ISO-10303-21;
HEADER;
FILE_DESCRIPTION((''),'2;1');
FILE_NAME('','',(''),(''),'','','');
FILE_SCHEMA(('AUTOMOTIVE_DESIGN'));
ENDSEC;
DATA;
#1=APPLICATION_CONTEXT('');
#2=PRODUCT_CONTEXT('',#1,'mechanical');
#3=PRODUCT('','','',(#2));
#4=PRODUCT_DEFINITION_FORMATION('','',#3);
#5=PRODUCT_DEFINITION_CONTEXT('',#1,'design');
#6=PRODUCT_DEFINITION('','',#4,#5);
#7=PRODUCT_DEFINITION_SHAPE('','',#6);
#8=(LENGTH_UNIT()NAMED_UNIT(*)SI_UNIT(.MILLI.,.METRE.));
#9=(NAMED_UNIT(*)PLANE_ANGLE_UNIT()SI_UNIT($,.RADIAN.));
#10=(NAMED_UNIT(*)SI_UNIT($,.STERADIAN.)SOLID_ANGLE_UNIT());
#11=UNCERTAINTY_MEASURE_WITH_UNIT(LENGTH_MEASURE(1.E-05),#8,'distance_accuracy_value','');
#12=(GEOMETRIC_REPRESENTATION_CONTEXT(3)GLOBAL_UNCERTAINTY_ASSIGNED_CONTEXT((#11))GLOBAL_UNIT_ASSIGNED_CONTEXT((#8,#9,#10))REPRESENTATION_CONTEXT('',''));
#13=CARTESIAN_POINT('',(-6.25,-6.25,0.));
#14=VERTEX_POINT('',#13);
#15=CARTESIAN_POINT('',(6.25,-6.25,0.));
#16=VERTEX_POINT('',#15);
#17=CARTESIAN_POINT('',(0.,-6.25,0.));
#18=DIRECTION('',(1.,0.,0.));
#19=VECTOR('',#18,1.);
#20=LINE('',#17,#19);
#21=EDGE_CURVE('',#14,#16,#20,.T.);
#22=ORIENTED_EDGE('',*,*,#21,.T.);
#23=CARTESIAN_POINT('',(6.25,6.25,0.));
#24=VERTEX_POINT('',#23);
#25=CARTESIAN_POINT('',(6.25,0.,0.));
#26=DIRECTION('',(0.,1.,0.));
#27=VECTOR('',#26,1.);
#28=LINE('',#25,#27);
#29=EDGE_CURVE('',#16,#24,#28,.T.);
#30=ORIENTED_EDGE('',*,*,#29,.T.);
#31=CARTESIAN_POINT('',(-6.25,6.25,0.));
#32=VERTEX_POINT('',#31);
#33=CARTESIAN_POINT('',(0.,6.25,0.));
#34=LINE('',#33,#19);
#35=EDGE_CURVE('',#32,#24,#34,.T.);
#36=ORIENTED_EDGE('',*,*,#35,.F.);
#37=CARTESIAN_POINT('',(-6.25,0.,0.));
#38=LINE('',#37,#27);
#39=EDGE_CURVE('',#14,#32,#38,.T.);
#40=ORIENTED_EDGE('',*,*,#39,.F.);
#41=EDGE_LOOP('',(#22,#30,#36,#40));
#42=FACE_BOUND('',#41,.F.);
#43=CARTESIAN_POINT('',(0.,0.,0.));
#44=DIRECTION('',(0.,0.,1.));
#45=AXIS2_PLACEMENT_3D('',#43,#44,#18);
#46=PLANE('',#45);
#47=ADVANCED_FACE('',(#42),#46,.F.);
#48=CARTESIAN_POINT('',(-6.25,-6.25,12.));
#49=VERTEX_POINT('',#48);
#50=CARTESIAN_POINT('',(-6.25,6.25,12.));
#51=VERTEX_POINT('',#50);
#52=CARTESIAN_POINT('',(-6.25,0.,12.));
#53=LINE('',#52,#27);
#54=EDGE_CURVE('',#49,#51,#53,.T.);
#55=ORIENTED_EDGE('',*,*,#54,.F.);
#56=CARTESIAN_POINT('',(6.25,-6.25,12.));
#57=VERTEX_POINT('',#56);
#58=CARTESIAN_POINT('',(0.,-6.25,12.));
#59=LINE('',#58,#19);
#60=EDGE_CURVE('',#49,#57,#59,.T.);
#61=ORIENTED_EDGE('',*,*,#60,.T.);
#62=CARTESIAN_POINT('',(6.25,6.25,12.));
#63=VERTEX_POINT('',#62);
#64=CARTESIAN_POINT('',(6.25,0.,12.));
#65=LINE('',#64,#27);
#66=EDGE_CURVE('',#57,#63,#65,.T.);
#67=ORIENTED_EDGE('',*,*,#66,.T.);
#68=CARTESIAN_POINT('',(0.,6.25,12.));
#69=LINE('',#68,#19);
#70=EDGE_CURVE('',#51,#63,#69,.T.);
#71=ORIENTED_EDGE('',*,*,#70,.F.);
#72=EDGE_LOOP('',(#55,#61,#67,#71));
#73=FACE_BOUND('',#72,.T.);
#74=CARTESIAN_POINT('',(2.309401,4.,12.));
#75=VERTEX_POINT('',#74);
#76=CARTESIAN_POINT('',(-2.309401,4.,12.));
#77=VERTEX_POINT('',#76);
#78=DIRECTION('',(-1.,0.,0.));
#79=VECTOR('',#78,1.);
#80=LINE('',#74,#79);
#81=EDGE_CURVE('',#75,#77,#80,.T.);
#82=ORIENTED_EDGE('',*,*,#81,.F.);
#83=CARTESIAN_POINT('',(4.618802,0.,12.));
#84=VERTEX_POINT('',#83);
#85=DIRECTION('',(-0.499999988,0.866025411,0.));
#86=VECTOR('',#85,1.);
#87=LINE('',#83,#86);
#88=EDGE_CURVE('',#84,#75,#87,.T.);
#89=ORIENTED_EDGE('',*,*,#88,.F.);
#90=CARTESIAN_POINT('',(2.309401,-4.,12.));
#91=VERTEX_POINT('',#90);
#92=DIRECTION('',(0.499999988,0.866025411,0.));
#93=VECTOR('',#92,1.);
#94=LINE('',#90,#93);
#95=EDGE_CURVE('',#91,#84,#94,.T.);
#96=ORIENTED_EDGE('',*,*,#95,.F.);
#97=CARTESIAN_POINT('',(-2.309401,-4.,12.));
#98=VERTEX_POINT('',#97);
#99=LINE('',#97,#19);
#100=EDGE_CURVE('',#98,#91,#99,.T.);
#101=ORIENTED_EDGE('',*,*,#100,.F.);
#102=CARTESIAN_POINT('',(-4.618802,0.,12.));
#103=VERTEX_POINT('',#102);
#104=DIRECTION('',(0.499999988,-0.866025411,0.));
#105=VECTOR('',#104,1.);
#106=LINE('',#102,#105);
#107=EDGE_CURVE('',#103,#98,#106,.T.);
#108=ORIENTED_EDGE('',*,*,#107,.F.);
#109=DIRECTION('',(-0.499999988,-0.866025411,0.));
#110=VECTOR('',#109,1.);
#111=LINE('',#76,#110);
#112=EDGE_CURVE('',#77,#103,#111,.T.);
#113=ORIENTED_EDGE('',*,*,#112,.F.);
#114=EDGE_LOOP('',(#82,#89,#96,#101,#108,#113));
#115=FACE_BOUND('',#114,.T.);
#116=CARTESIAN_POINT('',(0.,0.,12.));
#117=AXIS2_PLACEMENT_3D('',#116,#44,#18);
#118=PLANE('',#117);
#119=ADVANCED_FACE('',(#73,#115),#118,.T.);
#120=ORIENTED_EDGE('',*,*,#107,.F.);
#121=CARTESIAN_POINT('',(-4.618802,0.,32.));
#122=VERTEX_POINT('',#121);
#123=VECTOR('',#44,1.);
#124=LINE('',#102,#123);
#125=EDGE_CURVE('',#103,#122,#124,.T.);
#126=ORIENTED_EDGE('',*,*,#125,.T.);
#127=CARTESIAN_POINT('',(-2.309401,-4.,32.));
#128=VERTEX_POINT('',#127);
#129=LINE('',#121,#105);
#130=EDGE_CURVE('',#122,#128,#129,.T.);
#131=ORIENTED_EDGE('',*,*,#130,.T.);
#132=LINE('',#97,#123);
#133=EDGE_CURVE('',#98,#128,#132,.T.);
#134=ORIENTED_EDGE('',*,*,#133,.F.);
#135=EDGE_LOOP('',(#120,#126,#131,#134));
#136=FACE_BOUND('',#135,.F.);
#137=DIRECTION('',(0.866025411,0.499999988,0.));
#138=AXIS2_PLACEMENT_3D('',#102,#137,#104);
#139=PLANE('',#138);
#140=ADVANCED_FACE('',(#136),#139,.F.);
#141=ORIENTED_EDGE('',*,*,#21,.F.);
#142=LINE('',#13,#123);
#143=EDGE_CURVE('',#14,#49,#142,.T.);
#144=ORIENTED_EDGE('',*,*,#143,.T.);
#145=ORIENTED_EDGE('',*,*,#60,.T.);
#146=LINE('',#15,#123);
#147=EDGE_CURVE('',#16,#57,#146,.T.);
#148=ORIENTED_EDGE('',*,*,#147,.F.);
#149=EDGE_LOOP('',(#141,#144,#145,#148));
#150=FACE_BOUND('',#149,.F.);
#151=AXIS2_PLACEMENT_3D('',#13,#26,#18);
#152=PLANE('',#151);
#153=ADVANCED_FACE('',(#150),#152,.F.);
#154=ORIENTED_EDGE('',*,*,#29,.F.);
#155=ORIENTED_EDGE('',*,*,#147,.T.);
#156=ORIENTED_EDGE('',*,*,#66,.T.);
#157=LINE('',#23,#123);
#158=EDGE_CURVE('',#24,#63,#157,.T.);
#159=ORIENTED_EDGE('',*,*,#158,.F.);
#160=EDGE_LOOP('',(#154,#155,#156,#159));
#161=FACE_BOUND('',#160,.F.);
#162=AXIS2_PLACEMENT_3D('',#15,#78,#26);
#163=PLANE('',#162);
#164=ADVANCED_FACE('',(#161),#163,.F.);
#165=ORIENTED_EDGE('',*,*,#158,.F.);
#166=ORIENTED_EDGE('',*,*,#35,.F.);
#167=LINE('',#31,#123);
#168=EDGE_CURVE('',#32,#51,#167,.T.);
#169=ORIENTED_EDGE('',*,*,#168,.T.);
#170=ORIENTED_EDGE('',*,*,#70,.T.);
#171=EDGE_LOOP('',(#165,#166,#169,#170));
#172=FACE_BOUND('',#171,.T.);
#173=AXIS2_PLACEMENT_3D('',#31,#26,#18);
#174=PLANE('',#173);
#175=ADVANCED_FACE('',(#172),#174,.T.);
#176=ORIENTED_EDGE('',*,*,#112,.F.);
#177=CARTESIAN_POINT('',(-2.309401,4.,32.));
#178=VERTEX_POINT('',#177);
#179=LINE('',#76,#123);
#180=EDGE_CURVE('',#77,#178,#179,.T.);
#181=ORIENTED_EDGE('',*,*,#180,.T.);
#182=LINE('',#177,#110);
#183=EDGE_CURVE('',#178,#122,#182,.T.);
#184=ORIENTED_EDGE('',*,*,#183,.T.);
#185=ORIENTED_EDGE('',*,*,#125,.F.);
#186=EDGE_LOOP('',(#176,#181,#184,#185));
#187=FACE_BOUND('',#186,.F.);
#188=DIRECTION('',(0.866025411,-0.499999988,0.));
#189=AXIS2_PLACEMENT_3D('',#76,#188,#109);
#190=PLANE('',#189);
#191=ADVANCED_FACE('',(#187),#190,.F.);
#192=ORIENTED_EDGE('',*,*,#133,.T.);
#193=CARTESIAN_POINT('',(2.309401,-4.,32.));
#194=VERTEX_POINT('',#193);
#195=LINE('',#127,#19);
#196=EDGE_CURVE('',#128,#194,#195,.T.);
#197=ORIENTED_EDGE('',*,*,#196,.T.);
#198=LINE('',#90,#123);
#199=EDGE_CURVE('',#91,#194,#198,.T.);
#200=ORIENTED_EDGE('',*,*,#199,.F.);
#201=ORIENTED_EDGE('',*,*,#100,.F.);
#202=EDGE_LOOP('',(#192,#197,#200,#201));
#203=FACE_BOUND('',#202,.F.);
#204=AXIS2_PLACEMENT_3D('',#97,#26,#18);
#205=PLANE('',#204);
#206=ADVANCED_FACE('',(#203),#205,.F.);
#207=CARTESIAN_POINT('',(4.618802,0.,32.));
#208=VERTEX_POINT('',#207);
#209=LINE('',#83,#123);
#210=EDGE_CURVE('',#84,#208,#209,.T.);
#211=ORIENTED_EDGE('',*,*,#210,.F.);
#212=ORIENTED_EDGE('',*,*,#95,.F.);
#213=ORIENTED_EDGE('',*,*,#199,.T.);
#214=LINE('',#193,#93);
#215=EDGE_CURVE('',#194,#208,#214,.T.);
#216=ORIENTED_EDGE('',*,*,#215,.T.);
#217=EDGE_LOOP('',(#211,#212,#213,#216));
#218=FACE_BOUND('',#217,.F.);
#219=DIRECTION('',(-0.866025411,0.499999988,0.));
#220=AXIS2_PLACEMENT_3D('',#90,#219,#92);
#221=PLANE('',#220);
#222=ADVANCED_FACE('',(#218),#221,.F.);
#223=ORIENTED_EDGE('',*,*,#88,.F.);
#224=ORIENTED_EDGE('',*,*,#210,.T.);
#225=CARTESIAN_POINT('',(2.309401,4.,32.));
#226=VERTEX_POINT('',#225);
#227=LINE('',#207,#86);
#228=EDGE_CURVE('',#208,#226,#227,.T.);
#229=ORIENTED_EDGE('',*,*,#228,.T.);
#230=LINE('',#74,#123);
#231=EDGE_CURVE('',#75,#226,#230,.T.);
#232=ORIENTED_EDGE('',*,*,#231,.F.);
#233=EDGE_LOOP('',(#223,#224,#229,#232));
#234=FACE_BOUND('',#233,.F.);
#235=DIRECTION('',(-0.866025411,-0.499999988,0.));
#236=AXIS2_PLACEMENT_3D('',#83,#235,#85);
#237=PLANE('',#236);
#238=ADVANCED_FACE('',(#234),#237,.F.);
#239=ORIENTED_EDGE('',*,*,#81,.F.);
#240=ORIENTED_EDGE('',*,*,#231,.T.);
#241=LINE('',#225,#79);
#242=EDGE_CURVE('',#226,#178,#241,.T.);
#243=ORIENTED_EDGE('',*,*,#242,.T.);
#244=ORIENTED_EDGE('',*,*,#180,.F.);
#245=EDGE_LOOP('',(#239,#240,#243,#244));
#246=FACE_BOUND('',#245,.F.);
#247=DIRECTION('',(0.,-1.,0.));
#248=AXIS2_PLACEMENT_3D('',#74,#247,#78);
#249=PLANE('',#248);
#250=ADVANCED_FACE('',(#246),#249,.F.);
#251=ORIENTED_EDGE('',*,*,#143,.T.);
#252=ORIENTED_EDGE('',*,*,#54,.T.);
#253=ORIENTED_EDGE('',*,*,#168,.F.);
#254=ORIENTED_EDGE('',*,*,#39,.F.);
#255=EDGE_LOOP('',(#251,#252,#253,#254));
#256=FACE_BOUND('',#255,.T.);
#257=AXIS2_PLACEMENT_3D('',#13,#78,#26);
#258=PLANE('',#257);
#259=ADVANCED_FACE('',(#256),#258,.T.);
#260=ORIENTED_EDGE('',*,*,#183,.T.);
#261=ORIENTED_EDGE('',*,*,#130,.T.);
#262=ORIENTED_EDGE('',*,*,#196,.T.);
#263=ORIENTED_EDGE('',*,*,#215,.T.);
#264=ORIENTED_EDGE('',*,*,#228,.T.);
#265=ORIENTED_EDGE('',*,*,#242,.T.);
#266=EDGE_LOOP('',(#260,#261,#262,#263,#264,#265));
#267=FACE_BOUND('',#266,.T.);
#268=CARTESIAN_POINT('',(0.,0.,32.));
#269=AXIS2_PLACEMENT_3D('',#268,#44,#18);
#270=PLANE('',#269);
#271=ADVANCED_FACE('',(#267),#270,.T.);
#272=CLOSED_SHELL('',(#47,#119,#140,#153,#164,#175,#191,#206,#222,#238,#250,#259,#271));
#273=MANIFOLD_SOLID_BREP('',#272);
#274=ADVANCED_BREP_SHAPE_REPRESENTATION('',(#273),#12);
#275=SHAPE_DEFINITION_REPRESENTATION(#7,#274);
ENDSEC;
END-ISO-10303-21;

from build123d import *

# Parameters (mm, degrees)
SKETCH_W     = 12.5
SKETCH_H     = 12.5
PAD_DEPTH    = 12
PAD001_DEPTH = 20


with BuildPart() as part:
    # Sketch → Pad (new body)
    with BuildSketch(Plane.XY):
        Rectangle(SKETCH_W, SKETCH_H)
    extrude(amount=PAD_DEPTH)

    # Sketch001 (on Face6 of Pad) → Pad001 (join)
    with BuildSketch(Plane.XY.offset(12)):
        Polygon((-2.309401, 4), (-4.618802, 0), (-2.309401, -4), (2.309401, -4), (4.618802, 0), (2.309401, 4), align=None)
    extrude(amount=PAD001_DEPTH)


solid = part.part
